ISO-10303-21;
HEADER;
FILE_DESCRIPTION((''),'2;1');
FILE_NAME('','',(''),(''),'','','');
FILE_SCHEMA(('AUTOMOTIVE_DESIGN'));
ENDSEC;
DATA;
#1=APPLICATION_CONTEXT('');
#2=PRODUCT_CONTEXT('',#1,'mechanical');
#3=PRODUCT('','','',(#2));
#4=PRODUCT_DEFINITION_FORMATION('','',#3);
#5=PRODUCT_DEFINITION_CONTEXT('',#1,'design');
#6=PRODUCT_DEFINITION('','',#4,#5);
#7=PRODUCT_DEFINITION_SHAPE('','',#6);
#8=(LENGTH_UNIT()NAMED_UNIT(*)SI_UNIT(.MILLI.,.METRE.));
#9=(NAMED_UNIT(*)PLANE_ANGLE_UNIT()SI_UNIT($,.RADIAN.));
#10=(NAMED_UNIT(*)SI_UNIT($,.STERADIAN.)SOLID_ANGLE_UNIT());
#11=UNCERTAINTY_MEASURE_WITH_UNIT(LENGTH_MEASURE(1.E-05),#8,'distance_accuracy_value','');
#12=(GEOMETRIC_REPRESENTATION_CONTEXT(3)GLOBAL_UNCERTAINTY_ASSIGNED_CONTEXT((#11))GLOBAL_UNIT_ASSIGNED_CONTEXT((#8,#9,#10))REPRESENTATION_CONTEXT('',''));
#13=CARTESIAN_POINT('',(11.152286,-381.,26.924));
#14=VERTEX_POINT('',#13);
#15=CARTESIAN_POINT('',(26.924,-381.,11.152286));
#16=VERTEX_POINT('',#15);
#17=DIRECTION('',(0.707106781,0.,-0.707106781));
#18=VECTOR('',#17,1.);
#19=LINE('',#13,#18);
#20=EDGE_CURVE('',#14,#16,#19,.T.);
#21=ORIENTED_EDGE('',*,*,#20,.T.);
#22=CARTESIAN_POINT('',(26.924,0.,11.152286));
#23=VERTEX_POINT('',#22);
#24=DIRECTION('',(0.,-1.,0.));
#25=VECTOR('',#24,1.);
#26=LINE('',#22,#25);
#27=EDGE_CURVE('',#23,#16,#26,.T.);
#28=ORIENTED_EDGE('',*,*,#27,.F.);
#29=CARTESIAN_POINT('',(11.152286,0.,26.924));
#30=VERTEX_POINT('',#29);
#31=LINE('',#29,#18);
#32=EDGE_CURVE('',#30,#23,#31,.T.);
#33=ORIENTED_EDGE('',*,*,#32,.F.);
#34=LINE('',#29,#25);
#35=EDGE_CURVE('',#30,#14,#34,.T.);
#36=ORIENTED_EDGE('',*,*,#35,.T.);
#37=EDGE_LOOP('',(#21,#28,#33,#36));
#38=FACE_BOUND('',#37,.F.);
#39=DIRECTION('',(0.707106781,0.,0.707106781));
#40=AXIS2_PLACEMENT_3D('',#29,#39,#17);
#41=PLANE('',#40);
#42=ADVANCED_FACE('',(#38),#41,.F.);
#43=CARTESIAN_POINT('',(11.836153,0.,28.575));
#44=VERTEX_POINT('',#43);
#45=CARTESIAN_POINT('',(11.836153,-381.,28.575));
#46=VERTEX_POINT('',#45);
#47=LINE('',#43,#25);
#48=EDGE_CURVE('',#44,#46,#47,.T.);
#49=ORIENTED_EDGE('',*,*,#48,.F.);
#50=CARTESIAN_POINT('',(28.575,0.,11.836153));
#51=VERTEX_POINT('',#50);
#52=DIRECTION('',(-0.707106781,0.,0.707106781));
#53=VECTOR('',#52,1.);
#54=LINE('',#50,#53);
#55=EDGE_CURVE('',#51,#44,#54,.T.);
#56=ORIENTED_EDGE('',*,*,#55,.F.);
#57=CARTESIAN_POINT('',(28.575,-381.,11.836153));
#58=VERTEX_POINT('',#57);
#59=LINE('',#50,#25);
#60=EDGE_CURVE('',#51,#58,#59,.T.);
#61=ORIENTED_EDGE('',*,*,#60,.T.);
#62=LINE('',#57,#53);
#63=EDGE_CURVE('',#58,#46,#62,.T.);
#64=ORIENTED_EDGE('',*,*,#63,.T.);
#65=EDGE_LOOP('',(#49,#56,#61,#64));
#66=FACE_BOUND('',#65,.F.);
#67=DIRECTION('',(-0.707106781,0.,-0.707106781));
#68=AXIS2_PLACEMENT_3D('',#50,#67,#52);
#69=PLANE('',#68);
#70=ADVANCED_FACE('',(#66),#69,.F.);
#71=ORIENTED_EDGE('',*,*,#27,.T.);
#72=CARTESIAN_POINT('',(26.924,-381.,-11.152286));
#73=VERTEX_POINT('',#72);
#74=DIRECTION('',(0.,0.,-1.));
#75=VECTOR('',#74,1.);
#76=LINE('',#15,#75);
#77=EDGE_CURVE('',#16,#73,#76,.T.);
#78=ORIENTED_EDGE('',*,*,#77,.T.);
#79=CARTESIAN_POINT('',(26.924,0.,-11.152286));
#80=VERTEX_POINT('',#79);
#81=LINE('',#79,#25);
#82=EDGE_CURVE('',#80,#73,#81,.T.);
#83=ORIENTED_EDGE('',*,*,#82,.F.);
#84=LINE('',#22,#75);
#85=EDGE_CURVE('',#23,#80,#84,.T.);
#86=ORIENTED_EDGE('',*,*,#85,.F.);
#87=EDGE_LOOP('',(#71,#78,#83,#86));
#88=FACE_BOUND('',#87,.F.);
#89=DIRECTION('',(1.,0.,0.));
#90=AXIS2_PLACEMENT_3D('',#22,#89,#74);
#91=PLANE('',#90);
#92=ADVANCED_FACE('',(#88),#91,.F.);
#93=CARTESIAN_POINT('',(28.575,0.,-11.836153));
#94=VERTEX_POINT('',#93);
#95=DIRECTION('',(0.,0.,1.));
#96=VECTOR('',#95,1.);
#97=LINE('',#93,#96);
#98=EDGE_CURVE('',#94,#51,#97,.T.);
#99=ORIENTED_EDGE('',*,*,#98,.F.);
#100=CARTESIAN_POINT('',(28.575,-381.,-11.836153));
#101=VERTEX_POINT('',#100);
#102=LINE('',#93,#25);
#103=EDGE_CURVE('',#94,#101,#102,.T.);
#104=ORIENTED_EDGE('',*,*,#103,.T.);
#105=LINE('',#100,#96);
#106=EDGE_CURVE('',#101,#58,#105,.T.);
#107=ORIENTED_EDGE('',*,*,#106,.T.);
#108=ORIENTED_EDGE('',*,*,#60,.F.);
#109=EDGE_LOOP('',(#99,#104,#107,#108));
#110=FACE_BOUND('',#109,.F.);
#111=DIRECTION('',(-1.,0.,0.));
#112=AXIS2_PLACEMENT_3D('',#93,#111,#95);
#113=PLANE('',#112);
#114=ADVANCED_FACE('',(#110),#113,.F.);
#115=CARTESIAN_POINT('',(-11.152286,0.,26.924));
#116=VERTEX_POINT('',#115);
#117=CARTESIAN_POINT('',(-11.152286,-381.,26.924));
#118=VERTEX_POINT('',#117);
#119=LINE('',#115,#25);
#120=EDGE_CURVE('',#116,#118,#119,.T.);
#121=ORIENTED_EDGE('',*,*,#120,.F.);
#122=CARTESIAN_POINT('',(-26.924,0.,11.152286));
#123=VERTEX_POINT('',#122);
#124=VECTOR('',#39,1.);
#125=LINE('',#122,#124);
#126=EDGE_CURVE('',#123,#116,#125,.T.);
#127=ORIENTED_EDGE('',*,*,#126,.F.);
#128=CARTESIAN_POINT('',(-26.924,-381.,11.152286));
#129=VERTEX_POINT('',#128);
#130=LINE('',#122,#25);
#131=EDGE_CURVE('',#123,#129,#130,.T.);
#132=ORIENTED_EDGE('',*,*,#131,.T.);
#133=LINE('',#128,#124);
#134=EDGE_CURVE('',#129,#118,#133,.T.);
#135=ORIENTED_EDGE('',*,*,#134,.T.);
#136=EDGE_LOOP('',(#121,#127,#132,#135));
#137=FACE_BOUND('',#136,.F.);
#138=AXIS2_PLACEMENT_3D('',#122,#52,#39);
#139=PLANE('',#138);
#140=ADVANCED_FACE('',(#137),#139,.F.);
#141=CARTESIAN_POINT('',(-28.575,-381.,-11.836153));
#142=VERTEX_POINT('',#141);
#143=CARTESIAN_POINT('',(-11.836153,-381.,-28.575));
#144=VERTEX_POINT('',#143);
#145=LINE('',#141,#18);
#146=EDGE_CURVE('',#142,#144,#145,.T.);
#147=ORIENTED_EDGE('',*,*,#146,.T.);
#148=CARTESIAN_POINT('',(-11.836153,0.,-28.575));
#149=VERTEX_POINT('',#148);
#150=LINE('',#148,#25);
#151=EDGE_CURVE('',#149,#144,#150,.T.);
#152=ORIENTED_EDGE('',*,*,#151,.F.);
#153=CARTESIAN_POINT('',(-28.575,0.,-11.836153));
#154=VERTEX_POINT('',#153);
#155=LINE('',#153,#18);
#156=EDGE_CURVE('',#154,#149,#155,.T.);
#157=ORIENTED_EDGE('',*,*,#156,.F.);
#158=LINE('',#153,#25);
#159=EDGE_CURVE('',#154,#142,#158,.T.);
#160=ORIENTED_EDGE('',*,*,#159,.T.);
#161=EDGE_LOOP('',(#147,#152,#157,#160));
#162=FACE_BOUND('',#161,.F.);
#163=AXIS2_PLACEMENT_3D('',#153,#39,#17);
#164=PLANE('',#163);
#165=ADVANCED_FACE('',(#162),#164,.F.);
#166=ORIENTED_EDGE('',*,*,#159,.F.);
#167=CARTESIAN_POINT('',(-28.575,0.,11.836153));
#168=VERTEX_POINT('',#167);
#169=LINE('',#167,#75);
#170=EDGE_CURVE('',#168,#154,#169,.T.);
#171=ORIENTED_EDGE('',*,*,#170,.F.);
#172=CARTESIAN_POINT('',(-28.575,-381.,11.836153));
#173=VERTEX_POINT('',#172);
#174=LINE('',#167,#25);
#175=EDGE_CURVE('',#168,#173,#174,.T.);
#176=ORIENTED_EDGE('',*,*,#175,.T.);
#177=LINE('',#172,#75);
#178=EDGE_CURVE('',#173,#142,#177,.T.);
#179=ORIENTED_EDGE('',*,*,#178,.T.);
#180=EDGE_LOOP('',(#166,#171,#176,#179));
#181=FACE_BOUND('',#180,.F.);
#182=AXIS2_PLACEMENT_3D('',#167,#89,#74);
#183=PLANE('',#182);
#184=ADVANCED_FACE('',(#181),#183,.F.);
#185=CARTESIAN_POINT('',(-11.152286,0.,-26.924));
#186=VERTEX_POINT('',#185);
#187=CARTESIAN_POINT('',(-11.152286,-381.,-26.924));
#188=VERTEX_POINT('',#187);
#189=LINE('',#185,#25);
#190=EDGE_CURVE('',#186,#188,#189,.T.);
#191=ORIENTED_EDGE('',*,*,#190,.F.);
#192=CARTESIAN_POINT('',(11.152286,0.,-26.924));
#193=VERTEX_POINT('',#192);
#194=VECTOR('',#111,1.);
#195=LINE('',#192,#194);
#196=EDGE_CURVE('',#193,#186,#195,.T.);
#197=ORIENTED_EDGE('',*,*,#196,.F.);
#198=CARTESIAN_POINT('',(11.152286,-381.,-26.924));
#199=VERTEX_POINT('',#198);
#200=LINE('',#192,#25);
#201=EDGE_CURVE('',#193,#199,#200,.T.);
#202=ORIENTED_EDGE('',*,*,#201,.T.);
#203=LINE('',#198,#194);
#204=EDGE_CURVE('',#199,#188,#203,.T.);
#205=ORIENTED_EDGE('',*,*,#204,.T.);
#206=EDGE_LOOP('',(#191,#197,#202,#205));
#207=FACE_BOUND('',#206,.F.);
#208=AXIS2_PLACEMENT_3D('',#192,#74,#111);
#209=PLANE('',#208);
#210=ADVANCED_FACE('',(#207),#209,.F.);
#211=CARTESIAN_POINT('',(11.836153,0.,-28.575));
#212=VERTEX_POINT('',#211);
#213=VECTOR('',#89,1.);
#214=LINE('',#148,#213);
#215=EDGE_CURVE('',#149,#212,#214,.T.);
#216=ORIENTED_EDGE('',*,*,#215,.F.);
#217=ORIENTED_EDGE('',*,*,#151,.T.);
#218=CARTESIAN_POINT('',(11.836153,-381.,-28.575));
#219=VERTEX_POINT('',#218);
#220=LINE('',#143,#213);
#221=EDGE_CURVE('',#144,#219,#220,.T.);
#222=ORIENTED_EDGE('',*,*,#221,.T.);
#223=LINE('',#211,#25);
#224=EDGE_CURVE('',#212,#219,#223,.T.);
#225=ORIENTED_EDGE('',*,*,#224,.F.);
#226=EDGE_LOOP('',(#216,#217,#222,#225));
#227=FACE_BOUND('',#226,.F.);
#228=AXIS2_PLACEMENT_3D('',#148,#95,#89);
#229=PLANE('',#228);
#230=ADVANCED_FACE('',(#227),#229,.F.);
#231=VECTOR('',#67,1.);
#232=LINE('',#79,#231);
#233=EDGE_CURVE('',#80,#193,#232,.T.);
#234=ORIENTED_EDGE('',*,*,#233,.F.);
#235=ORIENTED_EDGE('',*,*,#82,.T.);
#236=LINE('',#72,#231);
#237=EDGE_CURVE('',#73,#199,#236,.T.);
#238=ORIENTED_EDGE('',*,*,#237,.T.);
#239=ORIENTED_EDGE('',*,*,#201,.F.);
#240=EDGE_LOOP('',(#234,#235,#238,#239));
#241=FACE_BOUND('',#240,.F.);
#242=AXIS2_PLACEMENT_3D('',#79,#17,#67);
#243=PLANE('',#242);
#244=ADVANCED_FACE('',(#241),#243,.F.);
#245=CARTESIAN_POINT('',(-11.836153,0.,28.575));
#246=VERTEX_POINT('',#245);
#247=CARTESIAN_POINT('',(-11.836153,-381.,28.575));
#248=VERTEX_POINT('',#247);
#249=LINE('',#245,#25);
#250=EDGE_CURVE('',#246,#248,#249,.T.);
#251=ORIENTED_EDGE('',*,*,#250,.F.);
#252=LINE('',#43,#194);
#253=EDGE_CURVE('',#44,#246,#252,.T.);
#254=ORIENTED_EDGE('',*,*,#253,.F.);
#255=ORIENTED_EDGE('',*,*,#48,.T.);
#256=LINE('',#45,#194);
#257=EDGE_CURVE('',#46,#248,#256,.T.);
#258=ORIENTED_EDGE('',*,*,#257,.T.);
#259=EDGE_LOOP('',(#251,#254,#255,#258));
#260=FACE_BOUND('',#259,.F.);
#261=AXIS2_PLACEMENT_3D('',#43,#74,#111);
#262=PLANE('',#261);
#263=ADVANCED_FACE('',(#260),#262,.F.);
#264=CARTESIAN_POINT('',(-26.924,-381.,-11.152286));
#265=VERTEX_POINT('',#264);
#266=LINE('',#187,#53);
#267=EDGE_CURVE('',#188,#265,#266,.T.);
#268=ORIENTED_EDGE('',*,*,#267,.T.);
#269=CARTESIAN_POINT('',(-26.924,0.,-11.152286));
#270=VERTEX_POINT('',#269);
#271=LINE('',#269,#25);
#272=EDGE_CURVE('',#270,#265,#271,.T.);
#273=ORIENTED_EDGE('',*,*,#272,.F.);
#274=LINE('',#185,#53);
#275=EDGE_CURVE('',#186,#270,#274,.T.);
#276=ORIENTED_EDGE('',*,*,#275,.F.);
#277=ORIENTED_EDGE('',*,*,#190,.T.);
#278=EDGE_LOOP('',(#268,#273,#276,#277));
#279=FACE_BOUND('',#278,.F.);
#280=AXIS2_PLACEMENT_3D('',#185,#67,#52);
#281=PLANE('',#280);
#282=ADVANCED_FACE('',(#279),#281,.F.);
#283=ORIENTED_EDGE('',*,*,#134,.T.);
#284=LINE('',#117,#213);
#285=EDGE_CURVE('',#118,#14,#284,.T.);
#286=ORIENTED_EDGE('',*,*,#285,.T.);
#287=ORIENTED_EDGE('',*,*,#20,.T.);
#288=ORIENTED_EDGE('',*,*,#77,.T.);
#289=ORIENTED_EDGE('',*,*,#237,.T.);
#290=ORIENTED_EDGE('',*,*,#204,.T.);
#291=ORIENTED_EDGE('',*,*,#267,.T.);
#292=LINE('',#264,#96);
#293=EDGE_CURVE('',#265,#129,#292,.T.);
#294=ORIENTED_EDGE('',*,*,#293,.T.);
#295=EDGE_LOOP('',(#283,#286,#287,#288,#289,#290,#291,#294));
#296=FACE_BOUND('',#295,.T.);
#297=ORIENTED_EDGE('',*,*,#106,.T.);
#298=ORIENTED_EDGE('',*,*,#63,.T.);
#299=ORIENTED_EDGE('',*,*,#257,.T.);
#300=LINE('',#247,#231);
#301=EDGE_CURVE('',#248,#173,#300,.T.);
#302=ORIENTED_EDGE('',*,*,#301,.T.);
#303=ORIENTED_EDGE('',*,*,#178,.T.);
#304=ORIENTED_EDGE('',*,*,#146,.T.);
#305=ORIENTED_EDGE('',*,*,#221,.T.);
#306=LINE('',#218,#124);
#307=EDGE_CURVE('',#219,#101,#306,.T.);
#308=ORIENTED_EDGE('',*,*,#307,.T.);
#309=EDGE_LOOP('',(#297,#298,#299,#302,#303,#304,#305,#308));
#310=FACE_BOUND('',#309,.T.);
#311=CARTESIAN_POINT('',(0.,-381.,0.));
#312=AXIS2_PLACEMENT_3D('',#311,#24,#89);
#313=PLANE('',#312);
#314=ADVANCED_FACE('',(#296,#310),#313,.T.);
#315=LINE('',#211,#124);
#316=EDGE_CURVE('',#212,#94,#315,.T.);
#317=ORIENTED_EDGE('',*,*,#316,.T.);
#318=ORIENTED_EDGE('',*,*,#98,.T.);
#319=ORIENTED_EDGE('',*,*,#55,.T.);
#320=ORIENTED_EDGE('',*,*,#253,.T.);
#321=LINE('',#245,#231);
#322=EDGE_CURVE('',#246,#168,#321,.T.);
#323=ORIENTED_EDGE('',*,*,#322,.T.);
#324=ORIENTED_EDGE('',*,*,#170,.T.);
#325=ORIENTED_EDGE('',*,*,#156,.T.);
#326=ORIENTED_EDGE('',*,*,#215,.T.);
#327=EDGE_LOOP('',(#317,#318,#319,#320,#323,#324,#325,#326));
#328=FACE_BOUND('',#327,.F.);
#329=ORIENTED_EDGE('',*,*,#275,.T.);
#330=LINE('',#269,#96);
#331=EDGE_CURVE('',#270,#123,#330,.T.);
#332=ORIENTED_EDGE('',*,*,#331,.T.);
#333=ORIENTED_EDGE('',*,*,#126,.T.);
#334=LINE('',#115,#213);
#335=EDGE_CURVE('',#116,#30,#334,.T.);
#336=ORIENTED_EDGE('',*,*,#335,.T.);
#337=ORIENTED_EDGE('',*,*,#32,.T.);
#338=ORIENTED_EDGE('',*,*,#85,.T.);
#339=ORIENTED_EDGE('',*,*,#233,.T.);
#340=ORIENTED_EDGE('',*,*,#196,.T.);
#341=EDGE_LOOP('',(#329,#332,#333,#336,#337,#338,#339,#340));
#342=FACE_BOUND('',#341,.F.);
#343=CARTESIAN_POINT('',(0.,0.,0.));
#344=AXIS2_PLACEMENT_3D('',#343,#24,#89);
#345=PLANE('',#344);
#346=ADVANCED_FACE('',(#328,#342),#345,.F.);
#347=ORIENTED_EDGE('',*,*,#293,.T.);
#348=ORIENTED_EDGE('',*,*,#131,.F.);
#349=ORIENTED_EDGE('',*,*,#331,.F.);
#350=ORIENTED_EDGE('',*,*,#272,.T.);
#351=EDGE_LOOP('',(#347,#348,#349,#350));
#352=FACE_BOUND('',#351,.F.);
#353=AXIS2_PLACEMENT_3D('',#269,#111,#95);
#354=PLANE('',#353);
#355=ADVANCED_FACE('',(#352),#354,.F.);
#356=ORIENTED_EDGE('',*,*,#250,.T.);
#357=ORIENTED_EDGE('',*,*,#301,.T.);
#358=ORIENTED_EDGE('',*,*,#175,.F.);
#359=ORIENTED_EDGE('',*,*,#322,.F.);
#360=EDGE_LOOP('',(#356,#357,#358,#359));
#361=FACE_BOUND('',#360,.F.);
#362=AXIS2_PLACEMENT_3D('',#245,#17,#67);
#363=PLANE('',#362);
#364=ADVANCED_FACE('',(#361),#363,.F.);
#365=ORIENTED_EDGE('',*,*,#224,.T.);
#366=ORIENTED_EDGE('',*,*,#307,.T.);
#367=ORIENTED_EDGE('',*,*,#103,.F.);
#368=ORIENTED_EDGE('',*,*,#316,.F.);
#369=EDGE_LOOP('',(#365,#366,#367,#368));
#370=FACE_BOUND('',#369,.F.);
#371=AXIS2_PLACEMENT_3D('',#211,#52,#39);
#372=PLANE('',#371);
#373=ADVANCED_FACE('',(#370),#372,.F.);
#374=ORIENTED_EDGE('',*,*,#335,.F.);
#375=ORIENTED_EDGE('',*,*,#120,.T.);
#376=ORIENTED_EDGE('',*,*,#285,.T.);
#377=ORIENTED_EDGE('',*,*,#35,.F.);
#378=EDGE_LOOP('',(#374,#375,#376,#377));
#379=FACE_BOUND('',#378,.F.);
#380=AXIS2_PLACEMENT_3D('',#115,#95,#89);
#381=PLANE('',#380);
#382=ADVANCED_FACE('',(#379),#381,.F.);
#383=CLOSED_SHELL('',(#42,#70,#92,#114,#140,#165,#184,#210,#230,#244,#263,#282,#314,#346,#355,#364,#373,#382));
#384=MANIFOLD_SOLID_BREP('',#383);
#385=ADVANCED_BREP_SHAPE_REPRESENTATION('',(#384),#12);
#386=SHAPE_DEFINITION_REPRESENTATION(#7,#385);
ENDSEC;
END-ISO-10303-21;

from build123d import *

# Parameters (mm, degrees)
F1_DEPTH = 381


with BuildPart() as f1:
    # F0 (on Front) → F1 (new body)
    with BuildSketch(Plane.XZ):
        Polygon((11.836153, 28.575), (-11.836153, 28.575), (-28.575, 11.836153), (-28.575, -11.836153), (-11.836153, -28.575), (11.836153, -28.575), (28.575, -11.836153), (28.575, 11.836153), align=None)
        Polygon((-26.924, 11.152286), (-11.152286, 26.924), (11.152286, 26.924), (26.924, 11.152286), (26.924, -11.152286), (11.152286, -26.924), (-11.152286, -26.924), (-26.924, -11.152286), align=None, mode=Mode.SUBTRACT)
    extrude(amount=F1_DEPTH)


solid = f1.part
